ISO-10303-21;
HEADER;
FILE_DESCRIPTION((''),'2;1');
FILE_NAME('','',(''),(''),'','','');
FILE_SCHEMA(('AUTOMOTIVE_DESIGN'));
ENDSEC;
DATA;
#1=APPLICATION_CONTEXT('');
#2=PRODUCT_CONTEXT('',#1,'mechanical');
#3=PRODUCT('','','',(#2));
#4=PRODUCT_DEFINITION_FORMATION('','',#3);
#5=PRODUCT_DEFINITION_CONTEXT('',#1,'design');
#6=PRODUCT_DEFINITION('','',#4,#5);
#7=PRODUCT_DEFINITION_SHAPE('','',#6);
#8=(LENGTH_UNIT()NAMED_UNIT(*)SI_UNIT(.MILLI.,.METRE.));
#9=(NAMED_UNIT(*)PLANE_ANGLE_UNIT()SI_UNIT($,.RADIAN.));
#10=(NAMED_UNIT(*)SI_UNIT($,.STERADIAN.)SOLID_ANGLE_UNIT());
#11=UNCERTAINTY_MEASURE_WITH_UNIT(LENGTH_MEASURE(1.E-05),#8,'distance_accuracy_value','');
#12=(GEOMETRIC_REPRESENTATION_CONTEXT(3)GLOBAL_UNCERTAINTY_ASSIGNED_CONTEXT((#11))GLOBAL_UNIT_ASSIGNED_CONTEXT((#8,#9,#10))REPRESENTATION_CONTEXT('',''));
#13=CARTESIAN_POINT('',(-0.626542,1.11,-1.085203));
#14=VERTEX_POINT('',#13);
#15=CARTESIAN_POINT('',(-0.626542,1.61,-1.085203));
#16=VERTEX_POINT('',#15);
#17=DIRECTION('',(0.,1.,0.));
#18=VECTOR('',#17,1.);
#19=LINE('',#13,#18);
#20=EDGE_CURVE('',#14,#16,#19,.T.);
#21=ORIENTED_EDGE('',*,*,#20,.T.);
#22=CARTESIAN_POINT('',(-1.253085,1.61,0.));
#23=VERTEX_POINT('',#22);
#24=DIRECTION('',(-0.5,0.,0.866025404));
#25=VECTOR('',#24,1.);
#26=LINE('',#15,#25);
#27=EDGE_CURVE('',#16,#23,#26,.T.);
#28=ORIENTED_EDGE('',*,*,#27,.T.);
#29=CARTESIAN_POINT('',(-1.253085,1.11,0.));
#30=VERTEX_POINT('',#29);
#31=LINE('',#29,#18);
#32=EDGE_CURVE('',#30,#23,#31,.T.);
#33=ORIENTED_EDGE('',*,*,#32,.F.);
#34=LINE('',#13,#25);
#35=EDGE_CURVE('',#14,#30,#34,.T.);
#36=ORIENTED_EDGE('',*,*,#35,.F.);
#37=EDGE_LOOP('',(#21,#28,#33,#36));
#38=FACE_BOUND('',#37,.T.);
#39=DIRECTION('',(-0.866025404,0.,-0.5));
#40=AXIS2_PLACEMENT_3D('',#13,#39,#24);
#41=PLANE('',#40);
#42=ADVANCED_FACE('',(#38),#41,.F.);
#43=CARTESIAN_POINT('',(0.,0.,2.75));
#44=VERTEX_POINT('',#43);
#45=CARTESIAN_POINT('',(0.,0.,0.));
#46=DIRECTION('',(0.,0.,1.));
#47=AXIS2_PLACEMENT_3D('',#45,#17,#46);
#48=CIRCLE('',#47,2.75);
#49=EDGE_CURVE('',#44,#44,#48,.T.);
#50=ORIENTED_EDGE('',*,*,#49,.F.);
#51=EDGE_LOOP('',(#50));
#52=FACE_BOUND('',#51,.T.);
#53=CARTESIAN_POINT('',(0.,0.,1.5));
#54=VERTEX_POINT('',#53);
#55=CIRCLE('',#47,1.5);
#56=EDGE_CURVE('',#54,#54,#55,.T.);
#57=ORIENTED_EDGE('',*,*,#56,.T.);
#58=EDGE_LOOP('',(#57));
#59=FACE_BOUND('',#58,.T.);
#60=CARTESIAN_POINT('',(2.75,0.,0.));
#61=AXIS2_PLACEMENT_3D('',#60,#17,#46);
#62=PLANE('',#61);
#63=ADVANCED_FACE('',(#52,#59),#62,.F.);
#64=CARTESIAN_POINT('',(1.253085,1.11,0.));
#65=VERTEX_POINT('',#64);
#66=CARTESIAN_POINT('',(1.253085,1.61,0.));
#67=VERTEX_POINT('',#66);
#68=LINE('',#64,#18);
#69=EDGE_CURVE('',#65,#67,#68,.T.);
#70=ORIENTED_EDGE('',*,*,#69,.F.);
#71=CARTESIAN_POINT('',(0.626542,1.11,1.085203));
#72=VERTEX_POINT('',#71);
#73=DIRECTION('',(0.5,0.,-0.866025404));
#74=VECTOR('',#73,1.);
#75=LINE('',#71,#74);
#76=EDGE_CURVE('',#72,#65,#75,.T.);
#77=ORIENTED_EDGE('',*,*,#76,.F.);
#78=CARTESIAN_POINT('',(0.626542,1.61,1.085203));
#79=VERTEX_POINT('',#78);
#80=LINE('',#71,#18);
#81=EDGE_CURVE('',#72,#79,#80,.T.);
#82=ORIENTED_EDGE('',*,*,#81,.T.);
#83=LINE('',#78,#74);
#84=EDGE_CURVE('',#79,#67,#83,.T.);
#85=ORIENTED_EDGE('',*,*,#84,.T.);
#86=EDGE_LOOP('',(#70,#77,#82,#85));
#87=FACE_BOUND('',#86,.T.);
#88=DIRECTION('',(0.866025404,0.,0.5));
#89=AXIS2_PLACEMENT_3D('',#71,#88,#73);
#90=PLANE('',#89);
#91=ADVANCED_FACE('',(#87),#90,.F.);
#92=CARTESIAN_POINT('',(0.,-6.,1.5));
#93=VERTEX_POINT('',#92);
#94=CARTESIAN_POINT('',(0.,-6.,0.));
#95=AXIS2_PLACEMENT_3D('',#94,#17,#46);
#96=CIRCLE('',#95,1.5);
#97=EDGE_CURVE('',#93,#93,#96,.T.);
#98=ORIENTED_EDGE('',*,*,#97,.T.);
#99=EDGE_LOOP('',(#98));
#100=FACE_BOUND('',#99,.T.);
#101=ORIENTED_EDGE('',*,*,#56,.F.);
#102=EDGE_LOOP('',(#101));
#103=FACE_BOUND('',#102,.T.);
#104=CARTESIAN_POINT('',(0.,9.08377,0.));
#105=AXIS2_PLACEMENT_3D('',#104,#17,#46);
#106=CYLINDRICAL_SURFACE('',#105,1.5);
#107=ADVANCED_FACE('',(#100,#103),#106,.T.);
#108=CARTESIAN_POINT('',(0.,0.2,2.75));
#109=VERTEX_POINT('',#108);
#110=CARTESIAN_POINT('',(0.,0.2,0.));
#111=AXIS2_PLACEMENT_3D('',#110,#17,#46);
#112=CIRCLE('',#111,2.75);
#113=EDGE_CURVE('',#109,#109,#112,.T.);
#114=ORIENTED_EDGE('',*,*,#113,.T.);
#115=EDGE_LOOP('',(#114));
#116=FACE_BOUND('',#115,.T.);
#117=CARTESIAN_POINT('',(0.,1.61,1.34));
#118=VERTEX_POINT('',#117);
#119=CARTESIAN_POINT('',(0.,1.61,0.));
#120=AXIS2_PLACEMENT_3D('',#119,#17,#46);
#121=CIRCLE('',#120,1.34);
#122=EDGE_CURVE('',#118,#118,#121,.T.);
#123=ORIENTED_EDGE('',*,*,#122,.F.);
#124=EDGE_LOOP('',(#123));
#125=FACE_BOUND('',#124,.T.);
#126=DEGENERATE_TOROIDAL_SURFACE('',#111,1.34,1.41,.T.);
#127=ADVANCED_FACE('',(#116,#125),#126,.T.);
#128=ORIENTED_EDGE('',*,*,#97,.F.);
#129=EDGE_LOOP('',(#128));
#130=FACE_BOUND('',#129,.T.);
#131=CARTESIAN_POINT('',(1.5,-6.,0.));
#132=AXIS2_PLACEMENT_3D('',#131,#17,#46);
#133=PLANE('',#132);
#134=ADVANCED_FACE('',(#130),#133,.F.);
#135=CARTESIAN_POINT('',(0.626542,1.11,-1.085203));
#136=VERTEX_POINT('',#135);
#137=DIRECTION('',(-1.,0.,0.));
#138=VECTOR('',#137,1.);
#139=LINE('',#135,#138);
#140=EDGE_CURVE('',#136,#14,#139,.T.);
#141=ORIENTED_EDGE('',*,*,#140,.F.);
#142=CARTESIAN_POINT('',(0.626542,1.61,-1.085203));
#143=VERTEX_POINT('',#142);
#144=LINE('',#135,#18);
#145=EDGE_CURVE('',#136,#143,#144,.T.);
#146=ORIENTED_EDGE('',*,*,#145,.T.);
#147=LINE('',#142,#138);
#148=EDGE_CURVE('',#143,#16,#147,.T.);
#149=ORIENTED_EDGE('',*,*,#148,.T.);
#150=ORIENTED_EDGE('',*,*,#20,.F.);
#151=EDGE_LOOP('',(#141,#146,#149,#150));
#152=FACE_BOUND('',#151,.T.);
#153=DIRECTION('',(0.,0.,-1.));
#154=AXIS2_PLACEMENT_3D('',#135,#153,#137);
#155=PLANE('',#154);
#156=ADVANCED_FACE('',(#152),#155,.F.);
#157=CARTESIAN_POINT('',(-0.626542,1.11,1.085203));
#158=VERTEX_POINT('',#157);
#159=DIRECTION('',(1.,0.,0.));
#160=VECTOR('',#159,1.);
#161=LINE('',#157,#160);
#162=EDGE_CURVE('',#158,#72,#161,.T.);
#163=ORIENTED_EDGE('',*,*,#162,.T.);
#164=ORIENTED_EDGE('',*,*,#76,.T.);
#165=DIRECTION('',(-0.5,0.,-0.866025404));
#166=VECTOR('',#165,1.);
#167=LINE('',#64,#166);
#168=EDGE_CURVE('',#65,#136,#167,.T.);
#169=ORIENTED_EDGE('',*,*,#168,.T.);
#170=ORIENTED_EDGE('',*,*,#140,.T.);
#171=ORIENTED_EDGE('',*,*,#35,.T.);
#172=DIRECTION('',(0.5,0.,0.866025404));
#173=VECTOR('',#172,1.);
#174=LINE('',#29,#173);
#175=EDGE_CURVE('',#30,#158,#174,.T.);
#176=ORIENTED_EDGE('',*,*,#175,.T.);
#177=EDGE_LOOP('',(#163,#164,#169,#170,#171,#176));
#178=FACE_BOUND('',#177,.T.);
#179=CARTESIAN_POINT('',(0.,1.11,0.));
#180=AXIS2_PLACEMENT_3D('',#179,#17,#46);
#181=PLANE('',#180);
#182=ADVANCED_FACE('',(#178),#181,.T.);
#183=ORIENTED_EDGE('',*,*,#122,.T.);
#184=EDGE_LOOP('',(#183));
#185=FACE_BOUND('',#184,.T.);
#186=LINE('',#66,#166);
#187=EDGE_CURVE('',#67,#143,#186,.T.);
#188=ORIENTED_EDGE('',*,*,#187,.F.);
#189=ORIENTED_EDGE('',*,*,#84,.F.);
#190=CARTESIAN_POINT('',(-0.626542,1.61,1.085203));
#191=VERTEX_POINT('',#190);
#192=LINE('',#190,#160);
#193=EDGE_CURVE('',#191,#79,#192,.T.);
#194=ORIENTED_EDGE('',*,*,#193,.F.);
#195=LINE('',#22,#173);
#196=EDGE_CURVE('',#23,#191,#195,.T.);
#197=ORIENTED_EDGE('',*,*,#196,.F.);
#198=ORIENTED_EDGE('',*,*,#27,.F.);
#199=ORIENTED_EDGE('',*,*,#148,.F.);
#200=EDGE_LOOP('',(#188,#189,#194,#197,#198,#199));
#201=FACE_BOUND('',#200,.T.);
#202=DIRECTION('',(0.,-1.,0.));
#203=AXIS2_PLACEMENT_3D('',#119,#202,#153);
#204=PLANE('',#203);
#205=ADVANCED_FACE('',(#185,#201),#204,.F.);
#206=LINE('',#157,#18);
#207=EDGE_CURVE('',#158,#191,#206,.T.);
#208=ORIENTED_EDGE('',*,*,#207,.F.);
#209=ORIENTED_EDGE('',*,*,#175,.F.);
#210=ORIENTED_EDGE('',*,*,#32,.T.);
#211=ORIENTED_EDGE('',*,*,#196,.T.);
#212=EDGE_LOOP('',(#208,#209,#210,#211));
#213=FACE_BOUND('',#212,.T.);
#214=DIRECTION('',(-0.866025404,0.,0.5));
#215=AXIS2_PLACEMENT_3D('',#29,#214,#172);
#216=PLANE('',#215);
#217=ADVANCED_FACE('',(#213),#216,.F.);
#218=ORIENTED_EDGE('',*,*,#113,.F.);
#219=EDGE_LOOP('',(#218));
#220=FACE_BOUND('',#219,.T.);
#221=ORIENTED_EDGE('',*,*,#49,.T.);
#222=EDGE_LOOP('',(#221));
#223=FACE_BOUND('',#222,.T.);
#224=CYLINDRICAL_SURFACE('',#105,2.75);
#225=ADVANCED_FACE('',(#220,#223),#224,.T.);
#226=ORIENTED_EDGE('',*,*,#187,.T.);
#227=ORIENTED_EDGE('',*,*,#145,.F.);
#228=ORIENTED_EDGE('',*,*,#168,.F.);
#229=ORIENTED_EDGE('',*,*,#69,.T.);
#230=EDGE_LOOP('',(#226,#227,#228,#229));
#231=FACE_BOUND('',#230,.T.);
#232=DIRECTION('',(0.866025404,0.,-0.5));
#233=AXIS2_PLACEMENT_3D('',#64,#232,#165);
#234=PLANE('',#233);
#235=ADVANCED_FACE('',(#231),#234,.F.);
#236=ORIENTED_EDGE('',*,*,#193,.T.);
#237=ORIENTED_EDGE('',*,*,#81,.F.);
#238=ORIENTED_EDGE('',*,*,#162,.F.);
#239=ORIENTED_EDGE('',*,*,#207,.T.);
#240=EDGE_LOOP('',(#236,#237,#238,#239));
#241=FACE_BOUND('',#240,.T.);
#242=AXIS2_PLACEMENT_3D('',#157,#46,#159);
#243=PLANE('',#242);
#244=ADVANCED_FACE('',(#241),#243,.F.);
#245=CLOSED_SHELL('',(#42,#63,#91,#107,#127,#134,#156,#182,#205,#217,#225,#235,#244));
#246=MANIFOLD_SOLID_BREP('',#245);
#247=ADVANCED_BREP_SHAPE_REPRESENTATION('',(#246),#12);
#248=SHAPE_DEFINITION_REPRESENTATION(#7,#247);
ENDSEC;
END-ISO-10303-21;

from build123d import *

# Parameters (mm, degrees)
CUT_EXTRUDE1_DEPTH = 0.5


with BuildPart() as part:
    # Sketch1 → Revolve1 (revolve)
    with BuildSketch(Plane.XY):
        with BuildLine():
            Line((0, 1.61), (1.34, 1.61))
            ThreePointArc((1.34, 1.61), (2.337020561, 1.197020561), (2.75, 0.2))
            Line((2.75, 0.2), (2.75, 0))
            Line((2.75, 0), (1.5, 0))
            Line((1.5, 0), (1.5, -6))
            Line((1.5, -6), (0, -6))
            Line((0, -6), (0, 1.61))
        make_face()
    revolve(axis=Axis((0, 9.083769969, 0), (0, -1, 0)))

    # Sketch2 → Cut-Extrude1 (cut)
    with BuildSketch(Plane(origin=(0, 1.61, 0), x_dir=(1, 0, 0), z_dir=(0, 1, 0))):
        Polygon((0.62654248, 1.085203409), (-0.62654248, 1.085203409), (-1.253084961, 0), (-0.62654248, -1.085203409), (0.62654248, -1.085203409), (1.253084961, 0), align=None)
    extrude(amount=-CUT_EXTRUDE1_DEPTH, mode=Mode.SUBTRACT)


solid = part.part
